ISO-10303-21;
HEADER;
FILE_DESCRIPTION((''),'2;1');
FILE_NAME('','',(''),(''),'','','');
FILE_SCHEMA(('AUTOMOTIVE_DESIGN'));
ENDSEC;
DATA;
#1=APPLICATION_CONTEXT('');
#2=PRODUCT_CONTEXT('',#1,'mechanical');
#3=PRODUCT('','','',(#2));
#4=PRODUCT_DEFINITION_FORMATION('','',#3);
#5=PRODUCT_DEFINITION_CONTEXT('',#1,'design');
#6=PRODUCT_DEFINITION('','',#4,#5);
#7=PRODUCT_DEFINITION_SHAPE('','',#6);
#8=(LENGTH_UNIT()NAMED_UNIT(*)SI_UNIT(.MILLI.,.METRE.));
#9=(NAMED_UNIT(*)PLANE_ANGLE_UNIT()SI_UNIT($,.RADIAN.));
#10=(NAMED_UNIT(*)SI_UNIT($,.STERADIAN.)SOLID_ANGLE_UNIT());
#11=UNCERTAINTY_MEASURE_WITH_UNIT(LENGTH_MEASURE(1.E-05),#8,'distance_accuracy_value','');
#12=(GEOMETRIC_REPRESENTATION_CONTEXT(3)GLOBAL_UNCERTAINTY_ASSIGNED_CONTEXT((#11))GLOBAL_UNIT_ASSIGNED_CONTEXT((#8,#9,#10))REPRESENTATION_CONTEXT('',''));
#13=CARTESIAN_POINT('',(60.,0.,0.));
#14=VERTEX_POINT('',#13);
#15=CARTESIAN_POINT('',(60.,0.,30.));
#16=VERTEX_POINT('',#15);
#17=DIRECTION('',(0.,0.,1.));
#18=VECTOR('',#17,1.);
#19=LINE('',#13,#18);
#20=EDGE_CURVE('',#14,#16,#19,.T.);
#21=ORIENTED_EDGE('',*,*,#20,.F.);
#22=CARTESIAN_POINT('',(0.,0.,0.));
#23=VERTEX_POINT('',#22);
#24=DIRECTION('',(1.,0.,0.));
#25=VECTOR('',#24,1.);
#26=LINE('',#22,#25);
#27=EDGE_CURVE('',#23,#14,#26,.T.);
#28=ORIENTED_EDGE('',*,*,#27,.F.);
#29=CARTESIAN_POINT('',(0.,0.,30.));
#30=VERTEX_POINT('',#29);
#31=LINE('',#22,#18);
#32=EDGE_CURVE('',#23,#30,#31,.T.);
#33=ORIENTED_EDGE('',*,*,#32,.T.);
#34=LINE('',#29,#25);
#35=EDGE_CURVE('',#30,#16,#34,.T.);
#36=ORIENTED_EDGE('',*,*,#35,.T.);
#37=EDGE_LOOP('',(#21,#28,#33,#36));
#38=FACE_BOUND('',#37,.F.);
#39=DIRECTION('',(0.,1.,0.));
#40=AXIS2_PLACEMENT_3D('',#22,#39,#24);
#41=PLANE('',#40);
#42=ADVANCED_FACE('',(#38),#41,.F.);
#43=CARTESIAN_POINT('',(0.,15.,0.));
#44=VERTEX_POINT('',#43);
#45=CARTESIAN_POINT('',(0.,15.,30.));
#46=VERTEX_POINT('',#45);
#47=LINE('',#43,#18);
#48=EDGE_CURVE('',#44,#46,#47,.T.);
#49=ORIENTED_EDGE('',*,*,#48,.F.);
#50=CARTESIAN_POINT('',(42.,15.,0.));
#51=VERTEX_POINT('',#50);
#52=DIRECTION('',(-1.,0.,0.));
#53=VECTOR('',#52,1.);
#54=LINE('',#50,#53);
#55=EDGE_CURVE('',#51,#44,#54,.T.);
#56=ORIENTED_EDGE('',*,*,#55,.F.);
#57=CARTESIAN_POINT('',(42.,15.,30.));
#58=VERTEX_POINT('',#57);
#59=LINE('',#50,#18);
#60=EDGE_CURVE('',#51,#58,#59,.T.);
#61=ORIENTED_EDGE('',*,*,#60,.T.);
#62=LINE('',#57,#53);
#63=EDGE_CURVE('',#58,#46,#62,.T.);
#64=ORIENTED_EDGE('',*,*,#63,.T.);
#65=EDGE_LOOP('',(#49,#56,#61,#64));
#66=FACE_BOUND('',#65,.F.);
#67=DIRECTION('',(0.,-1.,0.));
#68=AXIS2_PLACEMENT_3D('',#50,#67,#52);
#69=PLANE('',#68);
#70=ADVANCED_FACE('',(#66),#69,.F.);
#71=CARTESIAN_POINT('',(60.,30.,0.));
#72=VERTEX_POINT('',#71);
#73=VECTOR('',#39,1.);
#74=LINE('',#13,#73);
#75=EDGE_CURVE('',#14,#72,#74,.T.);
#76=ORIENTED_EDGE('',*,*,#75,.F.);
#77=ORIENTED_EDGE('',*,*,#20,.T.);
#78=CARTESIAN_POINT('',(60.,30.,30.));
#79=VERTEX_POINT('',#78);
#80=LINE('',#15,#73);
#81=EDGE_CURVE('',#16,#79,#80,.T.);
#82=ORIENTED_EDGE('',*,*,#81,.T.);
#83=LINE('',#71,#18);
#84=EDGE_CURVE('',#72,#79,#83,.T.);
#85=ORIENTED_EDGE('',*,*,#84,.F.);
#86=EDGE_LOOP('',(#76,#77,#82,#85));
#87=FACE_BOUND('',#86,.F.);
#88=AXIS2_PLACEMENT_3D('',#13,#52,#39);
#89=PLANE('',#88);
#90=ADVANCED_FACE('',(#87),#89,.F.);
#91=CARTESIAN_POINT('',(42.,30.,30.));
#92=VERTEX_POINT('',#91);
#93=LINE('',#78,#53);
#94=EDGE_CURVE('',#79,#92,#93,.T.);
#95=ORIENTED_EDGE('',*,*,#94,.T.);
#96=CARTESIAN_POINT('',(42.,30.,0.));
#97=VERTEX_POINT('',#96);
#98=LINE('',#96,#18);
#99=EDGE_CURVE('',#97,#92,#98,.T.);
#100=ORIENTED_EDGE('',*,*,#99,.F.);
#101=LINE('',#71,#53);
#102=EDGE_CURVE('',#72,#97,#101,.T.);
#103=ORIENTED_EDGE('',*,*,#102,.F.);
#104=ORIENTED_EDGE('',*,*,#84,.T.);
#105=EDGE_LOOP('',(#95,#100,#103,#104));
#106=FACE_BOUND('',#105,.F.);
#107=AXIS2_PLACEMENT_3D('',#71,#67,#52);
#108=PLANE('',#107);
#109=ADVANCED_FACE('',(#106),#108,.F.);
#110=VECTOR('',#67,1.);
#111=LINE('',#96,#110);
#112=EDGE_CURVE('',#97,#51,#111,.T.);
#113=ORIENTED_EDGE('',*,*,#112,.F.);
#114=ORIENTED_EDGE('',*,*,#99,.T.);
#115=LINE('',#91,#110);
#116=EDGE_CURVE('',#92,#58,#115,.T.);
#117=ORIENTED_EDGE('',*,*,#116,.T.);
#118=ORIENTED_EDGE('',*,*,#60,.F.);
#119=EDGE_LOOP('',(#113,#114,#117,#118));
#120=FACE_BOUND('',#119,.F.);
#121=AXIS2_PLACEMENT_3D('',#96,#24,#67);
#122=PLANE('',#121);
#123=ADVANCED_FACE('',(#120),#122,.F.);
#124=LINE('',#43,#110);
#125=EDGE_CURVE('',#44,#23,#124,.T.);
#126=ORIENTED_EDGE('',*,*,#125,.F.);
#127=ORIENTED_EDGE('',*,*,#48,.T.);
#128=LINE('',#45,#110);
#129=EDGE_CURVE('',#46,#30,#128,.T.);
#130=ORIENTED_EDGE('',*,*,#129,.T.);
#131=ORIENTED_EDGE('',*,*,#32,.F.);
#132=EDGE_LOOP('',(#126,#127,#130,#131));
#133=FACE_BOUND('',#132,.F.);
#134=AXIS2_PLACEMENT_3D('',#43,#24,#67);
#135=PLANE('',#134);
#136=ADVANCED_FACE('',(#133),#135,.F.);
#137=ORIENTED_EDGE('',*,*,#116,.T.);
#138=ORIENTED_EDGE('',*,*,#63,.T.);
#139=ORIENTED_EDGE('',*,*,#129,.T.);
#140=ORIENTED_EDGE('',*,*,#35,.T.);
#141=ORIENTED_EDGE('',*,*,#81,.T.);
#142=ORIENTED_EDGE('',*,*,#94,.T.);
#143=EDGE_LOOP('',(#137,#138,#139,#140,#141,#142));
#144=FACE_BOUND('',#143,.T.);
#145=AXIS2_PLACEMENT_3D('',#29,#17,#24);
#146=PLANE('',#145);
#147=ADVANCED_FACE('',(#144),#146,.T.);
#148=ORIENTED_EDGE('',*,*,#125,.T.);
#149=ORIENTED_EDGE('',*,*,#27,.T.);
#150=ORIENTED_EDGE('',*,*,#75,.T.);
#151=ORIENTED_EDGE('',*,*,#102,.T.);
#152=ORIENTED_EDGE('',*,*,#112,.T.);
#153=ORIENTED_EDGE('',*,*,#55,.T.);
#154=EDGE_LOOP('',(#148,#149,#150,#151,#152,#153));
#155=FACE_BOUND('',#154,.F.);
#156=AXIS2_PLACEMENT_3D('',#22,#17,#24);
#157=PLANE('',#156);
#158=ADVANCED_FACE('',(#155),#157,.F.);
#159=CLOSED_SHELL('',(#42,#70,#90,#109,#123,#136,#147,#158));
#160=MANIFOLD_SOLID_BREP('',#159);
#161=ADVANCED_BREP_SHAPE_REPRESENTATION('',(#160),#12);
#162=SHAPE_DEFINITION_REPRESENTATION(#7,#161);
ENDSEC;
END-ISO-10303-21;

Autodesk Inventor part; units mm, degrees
ref_plane "YZ Plane" through (0, 0, 0) normal (1, 0, 0) x (0, 1, 0)
ref_plane "XZ Plane" through (0, 0, 0) normal (0, 1, 0) x (-1, 0, 0)
ref_plane "XY Plane" through (0, 0, 0) normal (0, 0, 1) x (1, 0, 0)
sketch "Esboço3" plane through (0, 0, 0) normal (0, 0, 1) x (1, 0, 0)
  line L0 (0, 0) -> (60, 0)
  line L1 (60, 0) -> (60, 30)
  line L2 (60, 30) -> (42, 30)
  line L3 (42, 30) -> (42, 15)
  line L4 (42, 15) -> (0, 15)
  line L5 (0, 15) -> (0, 0)
  dimension "d0" = 60
  dimension "d1" = 30
  dimension "d2" = 18
  dimension "d3" = 15
extrude "Extrusão1" add sketch "Esboço3" along normal blind 30
